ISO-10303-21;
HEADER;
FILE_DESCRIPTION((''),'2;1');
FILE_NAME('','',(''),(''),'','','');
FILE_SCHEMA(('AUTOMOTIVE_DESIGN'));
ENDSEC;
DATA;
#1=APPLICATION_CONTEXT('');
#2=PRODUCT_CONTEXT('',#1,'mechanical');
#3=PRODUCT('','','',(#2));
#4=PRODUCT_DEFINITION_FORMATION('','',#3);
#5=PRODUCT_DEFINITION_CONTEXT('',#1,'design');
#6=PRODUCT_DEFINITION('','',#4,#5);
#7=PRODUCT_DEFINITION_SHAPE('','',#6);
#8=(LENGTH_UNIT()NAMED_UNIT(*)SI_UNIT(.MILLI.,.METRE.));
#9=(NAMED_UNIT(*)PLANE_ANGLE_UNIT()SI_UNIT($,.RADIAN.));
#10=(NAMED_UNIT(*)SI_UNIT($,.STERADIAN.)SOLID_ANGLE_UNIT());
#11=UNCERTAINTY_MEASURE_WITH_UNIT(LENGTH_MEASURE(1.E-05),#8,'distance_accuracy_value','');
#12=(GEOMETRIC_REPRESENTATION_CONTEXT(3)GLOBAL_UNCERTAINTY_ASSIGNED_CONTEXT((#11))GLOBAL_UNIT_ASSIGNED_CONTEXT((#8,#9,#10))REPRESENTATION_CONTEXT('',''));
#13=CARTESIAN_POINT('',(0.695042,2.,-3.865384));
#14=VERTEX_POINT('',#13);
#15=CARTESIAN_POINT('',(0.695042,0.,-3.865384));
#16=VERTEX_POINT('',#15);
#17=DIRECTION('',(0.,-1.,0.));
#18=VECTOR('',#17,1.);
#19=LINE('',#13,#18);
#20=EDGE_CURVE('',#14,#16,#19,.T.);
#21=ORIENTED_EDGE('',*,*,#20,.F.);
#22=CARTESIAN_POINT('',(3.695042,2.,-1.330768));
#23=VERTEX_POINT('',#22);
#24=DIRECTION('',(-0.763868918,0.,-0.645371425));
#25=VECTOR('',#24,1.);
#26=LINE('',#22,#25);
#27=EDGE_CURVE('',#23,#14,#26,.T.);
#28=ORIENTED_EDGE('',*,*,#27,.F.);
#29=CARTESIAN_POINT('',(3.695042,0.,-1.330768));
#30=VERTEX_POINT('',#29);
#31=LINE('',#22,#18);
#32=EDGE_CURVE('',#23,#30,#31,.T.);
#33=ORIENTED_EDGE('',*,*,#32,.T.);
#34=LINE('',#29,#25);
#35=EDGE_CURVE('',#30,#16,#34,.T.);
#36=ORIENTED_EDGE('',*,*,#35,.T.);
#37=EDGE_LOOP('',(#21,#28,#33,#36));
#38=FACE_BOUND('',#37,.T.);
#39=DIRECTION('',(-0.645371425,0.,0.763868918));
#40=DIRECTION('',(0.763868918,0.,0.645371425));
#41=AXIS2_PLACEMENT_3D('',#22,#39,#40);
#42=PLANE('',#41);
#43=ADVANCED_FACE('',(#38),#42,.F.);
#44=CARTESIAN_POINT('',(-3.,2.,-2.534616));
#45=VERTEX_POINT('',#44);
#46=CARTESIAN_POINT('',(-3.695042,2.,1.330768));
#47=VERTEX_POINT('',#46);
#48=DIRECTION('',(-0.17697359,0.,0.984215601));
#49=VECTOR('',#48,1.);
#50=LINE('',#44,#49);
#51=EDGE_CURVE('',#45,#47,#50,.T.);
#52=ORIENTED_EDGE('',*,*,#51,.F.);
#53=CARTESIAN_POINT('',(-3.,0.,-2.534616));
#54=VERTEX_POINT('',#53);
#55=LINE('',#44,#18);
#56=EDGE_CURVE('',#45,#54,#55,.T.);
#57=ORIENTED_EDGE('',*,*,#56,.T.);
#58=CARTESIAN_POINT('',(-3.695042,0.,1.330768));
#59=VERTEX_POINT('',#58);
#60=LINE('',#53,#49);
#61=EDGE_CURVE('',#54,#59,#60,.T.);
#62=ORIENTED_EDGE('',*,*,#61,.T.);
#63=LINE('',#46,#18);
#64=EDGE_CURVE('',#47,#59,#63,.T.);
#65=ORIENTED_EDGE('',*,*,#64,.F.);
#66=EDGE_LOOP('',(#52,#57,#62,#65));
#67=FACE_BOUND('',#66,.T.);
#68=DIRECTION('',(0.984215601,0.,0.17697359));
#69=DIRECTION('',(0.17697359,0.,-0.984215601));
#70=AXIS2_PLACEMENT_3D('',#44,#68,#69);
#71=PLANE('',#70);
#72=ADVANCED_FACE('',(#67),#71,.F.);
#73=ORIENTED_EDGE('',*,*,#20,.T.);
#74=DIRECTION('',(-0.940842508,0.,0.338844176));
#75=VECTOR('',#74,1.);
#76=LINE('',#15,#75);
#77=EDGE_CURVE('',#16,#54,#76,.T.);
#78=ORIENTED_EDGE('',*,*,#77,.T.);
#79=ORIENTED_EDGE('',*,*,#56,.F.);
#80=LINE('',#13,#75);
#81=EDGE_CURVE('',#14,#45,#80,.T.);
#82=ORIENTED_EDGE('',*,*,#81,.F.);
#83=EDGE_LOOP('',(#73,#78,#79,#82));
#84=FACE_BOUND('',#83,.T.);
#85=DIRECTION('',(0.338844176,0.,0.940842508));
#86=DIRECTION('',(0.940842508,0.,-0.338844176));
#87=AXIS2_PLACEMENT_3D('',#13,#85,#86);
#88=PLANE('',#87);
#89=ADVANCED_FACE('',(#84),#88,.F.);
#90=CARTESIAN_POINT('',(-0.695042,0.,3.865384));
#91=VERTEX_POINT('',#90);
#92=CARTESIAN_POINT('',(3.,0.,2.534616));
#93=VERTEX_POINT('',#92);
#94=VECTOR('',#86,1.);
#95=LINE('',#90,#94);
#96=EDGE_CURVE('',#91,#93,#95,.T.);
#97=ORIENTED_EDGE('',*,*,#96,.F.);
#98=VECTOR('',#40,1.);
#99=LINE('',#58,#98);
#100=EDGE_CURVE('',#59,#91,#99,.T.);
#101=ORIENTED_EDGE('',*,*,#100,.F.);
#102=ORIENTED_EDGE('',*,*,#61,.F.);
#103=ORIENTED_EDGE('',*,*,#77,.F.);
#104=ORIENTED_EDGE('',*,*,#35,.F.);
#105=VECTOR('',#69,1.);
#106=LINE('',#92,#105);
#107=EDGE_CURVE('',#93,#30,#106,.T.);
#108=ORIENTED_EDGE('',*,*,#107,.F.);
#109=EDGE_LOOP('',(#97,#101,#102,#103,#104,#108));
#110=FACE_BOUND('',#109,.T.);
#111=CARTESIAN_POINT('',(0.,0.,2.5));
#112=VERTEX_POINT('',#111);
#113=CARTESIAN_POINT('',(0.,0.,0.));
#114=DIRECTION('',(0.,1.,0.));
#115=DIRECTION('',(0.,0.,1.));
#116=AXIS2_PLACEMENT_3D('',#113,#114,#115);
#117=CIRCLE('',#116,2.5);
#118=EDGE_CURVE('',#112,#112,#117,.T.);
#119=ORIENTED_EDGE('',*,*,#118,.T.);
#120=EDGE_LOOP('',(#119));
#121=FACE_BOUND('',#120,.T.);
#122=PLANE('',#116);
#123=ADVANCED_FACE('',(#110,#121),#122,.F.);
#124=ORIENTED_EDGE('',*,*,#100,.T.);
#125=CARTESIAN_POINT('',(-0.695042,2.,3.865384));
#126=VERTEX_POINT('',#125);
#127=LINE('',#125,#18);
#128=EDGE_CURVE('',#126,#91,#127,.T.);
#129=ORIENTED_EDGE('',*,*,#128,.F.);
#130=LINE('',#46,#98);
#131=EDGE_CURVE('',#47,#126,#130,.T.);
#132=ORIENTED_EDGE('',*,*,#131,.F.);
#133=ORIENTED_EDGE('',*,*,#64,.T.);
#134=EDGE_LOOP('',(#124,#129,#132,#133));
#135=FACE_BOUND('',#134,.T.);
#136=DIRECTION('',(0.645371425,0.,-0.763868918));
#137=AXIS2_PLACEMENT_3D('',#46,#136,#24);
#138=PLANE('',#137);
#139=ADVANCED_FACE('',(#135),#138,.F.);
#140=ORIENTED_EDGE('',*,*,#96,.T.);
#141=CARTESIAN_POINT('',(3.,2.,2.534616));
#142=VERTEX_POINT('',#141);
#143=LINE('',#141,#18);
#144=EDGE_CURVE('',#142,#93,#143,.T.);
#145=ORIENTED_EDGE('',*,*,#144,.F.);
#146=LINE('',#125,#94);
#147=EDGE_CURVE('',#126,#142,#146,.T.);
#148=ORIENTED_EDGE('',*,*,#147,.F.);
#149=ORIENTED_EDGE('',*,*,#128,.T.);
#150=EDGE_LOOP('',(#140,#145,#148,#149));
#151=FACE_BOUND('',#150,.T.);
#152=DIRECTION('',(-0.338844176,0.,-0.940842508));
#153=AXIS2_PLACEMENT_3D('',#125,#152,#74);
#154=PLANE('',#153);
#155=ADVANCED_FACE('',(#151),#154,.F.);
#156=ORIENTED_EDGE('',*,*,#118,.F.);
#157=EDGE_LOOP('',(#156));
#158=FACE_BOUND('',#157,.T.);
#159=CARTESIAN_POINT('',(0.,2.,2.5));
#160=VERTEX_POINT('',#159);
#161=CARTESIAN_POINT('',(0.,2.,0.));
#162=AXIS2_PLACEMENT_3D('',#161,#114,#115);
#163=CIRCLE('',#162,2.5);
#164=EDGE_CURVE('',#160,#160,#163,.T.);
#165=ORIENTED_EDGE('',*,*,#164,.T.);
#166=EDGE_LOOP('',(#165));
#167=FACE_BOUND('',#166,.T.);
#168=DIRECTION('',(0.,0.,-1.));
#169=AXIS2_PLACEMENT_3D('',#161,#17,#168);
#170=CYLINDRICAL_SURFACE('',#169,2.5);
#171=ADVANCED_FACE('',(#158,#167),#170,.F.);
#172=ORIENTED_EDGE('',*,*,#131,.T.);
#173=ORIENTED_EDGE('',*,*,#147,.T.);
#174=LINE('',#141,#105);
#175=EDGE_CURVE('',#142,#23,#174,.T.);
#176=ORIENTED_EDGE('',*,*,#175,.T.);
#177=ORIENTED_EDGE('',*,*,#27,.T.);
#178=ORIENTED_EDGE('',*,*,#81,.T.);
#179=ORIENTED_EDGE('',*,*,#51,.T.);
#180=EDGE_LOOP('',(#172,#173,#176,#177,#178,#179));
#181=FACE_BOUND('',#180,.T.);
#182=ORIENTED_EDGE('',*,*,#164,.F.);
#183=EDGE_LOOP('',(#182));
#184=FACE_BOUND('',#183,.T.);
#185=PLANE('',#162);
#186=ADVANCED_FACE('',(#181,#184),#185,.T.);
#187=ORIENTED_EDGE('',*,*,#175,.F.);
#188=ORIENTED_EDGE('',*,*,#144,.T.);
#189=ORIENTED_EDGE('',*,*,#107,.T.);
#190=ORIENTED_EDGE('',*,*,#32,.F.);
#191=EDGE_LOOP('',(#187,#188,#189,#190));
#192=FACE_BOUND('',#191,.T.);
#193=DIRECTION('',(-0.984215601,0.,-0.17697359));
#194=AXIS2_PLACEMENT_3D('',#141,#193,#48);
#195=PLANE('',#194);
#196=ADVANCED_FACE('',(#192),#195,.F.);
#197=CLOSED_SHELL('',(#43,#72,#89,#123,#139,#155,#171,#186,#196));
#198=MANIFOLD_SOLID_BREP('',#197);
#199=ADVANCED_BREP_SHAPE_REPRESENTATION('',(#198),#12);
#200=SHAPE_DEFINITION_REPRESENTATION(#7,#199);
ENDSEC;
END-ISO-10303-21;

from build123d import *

# Parameters (mm, degrees)
SKETCH_1_R      = 2.5
EXTRUDE_1_DEPTH = 2


with BuildPart() as part:
    # 草图1 → 凸台-拉伸1 (new body)
    with BuildSketch(Plane(origin=(0, 0, 0), x_dir=(1, 0, 0), z_dir=(0, 1, 0))):
        Polygon((3.695041723, 1.330768282), (0.695041723, 3.865384141), (-3, 2.534615859), (-3.695041723, -1.330768282), (-0.695041723, -3.865384141), (3, -2.534615859), align=None)
        with Locations(Location((0, 0, 0), (0, 0, 270))):
            Circle(SKETCH_1_R, mode=Mode.SUBTRACT)
    extrude(amount=EXTRUDE_1_DEPTH)


solid = part.part
